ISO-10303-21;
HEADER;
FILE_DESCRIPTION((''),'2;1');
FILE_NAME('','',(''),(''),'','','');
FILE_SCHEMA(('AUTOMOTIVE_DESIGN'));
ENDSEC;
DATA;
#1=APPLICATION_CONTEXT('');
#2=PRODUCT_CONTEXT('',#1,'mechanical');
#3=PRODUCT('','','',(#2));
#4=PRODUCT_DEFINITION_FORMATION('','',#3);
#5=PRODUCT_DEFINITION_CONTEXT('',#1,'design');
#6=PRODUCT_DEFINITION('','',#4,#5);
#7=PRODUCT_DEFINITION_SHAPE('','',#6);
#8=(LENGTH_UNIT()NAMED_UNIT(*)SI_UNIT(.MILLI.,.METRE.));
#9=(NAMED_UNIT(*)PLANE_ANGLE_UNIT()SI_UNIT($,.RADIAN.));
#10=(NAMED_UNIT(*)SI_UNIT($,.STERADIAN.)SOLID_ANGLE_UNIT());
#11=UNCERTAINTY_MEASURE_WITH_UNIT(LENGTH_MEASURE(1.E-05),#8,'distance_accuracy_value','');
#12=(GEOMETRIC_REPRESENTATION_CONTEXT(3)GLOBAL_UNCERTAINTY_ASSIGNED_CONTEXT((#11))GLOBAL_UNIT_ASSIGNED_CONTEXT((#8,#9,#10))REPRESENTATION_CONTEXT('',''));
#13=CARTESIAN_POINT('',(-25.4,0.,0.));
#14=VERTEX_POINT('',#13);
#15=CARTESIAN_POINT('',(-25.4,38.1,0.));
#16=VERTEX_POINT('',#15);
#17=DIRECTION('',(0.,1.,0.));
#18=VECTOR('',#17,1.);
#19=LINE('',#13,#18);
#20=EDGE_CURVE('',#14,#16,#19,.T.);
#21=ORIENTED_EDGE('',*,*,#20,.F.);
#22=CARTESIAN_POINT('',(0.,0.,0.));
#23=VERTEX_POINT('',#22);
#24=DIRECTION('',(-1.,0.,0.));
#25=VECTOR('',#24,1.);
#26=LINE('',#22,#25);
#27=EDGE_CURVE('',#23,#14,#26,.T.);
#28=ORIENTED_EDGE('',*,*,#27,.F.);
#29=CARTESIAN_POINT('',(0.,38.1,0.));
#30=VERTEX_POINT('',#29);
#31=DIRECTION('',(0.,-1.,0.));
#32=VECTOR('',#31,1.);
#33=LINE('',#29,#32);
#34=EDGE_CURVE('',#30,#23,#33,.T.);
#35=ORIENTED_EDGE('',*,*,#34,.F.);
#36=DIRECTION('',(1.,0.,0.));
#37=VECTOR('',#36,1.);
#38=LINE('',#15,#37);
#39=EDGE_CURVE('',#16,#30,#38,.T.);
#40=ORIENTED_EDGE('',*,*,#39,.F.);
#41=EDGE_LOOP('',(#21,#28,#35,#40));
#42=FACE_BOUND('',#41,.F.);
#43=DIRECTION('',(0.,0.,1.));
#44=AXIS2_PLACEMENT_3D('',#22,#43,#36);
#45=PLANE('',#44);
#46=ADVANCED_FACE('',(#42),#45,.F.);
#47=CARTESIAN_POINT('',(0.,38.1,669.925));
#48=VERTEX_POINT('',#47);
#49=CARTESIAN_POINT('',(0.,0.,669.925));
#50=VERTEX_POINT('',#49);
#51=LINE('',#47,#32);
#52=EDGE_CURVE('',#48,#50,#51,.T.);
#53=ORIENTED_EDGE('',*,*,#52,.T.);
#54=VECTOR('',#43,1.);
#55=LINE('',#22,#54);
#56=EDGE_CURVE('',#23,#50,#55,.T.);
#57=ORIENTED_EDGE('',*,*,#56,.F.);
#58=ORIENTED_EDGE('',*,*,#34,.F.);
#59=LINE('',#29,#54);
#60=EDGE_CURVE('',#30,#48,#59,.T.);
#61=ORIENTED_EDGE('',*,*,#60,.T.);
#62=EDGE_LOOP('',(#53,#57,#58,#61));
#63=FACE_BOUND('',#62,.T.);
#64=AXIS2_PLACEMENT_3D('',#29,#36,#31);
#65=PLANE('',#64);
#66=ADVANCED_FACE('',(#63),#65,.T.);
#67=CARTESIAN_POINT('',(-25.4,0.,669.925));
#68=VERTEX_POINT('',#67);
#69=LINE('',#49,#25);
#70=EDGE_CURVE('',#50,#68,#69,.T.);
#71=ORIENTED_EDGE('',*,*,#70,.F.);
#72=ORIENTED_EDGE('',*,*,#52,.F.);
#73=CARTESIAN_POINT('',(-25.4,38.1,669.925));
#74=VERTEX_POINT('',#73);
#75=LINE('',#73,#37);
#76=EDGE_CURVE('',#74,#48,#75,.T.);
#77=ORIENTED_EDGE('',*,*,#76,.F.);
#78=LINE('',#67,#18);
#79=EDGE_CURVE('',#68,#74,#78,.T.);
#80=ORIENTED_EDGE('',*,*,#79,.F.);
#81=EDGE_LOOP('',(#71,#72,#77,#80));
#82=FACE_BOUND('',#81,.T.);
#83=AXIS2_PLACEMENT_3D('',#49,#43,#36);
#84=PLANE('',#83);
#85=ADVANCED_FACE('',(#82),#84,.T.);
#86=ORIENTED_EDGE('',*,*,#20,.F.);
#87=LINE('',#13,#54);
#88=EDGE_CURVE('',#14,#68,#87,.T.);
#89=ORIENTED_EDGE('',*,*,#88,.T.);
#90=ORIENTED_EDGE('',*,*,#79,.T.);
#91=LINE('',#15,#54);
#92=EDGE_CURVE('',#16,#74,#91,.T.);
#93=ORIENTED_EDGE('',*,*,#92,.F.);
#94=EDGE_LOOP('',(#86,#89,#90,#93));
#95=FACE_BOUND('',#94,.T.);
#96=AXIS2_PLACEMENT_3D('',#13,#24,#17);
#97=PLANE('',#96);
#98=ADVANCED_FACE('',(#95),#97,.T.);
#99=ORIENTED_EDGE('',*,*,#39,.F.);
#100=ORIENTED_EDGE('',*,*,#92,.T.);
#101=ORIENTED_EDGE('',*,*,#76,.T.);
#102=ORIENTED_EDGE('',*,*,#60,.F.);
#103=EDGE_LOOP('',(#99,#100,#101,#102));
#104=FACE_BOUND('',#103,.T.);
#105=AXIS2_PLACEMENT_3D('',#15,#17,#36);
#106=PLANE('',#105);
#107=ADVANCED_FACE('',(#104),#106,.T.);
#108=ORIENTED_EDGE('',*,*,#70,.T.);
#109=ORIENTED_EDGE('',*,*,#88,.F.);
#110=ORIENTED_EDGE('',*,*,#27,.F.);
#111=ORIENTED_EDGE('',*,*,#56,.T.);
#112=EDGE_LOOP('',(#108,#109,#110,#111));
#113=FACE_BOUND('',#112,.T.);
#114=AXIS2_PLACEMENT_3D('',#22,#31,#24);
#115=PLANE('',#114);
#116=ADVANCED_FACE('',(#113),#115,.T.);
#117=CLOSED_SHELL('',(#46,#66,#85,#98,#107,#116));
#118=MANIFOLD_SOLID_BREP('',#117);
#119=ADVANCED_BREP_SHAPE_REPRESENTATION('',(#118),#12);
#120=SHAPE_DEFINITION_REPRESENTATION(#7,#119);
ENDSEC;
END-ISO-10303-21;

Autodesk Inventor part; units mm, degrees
ref_plane "YZ Plane" through (0, 0, 0) normal (1, 0, 0) x (0, 1, 0)
ref_plane "XZ Plane" through (0, 0, 0) normal (0, 1, 0) x (-1, 0, 0)
ref_plane "XY Plane" through (0, 0, 0) normal (0, 0, 1) x (1, 0, 0)
sketch "Sketch1" plane through (0, 0, 0) normal (0, 0, 1) x (1, 0, 0)
  line L0 (0, 0) -> (-25.4, 0)
  line L1 (-25.4, 0) -> (-25.4, 38.1)
  line L2 (-25.4, 38.1) -> (0, 38.1)
  line L3 (0, 38.1) -> (0, 0)
  dimension "d4" = 25.4
  dimension "d5" = 38.1
extrude "Extrusion2" add sketch "Sketch1" along normal blind 669.925
properties part number "ArmCrossBeam"
